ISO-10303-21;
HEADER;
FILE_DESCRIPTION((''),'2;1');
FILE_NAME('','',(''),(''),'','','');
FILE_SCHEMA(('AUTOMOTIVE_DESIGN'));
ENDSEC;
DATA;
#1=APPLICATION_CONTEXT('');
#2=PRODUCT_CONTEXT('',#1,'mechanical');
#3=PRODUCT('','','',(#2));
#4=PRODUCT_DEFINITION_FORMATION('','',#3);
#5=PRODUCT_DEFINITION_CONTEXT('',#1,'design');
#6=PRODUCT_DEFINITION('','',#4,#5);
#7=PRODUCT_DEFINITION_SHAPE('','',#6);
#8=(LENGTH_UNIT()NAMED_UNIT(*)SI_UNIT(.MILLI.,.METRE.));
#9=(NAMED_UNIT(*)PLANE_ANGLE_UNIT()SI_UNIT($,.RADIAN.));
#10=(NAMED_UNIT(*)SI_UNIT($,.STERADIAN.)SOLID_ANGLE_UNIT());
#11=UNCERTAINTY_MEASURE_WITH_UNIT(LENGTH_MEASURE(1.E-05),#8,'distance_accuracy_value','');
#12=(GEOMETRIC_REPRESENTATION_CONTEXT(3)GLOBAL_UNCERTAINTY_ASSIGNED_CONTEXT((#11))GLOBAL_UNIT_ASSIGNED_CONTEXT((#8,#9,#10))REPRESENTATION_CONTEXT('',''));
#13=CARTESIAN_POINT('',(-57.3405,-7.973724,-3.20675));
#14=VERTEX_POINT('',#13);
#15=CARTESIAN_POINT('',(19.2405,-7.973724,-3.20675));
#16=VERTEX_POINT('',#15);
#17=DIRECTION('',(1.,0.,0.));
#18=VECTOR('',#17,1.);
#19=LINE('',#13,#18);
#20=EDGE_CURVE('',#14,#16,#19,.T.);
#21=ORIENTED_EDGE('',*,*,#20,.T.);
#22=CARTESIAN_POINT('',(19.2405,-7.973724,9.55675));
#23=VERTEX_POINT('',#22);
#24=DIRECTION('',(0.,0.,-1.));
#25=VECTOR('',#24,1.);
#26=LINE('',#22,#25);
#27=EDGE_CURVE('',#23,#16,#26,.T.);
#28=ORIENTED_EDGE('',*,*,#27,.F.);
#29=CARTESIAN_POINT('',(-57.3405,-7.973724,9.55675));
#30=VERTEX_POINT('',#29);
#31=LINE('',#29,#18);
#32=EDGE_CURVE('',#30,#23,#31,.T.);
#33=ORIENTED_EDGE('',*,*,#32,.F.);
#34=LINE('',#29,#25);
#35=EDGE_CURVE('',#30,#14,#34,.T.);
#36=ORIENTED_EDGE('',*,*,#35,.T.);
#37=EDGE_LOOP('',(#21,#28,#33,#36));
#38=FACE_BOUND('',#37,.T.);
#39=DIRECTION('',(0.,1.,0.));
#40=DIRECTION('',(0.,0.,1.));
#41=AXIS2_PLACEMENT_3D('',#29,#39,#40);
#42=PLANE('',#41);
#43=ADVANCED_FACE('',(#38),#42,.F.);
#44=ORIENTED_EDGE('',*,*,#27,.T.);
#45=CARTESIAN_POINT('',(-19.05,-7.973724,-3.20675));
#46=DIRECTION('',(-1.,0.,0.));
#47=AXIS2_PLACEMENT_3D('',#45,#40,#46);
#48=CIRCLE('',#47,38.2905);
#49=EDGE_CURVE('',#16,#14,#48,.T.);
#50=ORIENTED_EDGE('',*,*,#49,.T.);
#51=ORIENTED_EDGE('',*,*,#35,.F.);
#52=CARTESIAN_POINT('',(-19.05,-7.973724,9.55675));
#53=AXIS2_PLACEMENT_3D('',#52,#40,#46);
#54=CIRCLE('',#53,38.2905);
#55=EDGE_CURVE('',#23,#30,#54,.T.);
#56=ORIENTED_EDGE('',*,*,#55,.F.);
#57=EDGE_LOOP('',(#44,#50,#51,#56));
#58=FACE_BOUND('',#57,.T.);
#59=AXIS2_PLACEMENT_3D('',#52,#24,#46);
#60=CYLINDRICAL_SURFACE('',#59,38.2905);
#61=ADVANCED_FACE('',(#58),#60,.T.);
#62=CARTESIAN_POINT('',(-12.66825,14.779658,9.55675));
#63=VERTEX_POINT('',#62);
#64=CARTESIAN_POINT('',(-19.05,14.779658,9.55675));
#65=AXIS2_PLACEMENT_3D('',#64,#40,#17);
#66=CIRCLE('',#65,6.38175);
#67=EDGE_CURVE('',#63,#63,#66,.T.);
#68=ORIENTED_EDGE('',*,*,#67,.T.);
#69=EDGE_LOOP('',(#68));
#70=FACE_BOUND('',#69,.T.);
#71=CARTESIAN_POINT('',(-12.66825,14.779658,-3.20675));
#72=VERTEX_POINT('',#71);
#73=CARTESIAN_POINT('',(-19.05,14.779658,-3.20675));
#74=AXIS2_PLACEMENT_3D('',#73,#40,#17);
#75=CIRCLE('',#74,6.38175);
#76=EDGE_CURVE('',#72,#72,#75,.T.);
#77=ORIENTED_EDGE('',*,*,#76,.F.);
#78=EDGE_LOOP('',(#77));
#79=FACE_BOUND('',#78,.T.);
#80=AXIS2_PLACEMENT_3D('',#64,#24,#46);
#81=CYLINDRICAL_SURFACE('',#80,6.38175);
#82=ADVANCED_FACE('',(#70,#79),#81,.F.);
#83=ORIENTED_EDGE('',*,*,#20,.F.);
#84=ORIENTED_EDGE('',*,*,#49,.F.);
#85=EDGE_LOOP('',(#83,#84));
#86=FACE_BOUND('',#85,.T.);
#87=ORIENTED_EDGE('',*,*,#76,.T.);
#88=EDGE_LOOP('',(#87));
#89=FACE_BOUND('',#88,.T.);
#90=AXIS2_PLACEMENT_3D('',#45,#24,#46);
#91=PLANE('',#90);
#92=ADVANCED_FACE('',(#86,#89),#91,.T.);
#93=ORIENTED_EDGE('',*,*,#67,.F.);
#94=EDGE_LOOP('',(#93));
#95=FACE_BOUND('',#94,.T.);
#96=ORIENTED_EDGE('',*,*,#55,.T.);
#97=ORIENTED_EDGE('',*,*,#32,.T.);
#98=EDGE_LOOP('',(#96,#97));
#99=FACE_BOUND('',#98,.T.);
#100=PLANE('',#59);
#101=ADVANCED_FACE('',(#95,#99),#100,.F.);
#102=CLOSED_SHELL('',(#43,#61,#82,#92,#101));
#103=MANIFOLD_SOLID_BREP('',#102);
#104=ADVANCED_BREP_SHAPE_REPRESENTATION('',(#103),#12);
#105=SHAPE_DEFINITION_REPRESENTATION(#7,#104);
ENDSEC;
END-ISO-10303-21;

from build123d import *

# Parameters (mm, degrees)
SKETCH2_R           = 3.175
BOSS_EXTRUDE1_DEPTH = 6.35
SCALE1_SCALE        = 1.5
SCALE2_SCALE        = 0.67
SCALE3_SCALE        = 2


with BuildPart() as part:
    # Sketch2 → Boss-Extrude1 (new body)
    with BuildSketch(Plane.XY):
        with BuildLine():
            Line((-38.1, 0), (0, 0))
            ThreePointArc((0, 0), (-19.05, 19.05), (-38.1, 0))
        make_face()
        with Locations((-19.05, 11.320090227)):
            Circle(SKETCH2_R, mode=Mode.SUBTRACT)
    extrude(amount=BOSS_EXTRUDE1_DEPTH)


with BuildPart() as part_1:
    # Scale1: scaled about (-19.05, 7.894775867, 3.175)
    add(part.part.scale(SCALE1_SCALE).moved(Location((9.525, -3.947387933, -1.5875))))


with BuildPart() as part_2:
    # Scale2: scaled about (-19.05, 7.894775867, 3.175)
    add(part_1.part.scale(SCALE2_SCALE).moved(Location((-6.2865, 2.605276036, 1.04775))))


with BuildPart() as part_3:
    # Scale3: scaled about (-19.05, 7.894775867, 3.175)
    add(part_2.part.scale(SCALE3_SCALE).moved(Location((19.05, -7.894775867, -3.175))))


solid = part_3.part
